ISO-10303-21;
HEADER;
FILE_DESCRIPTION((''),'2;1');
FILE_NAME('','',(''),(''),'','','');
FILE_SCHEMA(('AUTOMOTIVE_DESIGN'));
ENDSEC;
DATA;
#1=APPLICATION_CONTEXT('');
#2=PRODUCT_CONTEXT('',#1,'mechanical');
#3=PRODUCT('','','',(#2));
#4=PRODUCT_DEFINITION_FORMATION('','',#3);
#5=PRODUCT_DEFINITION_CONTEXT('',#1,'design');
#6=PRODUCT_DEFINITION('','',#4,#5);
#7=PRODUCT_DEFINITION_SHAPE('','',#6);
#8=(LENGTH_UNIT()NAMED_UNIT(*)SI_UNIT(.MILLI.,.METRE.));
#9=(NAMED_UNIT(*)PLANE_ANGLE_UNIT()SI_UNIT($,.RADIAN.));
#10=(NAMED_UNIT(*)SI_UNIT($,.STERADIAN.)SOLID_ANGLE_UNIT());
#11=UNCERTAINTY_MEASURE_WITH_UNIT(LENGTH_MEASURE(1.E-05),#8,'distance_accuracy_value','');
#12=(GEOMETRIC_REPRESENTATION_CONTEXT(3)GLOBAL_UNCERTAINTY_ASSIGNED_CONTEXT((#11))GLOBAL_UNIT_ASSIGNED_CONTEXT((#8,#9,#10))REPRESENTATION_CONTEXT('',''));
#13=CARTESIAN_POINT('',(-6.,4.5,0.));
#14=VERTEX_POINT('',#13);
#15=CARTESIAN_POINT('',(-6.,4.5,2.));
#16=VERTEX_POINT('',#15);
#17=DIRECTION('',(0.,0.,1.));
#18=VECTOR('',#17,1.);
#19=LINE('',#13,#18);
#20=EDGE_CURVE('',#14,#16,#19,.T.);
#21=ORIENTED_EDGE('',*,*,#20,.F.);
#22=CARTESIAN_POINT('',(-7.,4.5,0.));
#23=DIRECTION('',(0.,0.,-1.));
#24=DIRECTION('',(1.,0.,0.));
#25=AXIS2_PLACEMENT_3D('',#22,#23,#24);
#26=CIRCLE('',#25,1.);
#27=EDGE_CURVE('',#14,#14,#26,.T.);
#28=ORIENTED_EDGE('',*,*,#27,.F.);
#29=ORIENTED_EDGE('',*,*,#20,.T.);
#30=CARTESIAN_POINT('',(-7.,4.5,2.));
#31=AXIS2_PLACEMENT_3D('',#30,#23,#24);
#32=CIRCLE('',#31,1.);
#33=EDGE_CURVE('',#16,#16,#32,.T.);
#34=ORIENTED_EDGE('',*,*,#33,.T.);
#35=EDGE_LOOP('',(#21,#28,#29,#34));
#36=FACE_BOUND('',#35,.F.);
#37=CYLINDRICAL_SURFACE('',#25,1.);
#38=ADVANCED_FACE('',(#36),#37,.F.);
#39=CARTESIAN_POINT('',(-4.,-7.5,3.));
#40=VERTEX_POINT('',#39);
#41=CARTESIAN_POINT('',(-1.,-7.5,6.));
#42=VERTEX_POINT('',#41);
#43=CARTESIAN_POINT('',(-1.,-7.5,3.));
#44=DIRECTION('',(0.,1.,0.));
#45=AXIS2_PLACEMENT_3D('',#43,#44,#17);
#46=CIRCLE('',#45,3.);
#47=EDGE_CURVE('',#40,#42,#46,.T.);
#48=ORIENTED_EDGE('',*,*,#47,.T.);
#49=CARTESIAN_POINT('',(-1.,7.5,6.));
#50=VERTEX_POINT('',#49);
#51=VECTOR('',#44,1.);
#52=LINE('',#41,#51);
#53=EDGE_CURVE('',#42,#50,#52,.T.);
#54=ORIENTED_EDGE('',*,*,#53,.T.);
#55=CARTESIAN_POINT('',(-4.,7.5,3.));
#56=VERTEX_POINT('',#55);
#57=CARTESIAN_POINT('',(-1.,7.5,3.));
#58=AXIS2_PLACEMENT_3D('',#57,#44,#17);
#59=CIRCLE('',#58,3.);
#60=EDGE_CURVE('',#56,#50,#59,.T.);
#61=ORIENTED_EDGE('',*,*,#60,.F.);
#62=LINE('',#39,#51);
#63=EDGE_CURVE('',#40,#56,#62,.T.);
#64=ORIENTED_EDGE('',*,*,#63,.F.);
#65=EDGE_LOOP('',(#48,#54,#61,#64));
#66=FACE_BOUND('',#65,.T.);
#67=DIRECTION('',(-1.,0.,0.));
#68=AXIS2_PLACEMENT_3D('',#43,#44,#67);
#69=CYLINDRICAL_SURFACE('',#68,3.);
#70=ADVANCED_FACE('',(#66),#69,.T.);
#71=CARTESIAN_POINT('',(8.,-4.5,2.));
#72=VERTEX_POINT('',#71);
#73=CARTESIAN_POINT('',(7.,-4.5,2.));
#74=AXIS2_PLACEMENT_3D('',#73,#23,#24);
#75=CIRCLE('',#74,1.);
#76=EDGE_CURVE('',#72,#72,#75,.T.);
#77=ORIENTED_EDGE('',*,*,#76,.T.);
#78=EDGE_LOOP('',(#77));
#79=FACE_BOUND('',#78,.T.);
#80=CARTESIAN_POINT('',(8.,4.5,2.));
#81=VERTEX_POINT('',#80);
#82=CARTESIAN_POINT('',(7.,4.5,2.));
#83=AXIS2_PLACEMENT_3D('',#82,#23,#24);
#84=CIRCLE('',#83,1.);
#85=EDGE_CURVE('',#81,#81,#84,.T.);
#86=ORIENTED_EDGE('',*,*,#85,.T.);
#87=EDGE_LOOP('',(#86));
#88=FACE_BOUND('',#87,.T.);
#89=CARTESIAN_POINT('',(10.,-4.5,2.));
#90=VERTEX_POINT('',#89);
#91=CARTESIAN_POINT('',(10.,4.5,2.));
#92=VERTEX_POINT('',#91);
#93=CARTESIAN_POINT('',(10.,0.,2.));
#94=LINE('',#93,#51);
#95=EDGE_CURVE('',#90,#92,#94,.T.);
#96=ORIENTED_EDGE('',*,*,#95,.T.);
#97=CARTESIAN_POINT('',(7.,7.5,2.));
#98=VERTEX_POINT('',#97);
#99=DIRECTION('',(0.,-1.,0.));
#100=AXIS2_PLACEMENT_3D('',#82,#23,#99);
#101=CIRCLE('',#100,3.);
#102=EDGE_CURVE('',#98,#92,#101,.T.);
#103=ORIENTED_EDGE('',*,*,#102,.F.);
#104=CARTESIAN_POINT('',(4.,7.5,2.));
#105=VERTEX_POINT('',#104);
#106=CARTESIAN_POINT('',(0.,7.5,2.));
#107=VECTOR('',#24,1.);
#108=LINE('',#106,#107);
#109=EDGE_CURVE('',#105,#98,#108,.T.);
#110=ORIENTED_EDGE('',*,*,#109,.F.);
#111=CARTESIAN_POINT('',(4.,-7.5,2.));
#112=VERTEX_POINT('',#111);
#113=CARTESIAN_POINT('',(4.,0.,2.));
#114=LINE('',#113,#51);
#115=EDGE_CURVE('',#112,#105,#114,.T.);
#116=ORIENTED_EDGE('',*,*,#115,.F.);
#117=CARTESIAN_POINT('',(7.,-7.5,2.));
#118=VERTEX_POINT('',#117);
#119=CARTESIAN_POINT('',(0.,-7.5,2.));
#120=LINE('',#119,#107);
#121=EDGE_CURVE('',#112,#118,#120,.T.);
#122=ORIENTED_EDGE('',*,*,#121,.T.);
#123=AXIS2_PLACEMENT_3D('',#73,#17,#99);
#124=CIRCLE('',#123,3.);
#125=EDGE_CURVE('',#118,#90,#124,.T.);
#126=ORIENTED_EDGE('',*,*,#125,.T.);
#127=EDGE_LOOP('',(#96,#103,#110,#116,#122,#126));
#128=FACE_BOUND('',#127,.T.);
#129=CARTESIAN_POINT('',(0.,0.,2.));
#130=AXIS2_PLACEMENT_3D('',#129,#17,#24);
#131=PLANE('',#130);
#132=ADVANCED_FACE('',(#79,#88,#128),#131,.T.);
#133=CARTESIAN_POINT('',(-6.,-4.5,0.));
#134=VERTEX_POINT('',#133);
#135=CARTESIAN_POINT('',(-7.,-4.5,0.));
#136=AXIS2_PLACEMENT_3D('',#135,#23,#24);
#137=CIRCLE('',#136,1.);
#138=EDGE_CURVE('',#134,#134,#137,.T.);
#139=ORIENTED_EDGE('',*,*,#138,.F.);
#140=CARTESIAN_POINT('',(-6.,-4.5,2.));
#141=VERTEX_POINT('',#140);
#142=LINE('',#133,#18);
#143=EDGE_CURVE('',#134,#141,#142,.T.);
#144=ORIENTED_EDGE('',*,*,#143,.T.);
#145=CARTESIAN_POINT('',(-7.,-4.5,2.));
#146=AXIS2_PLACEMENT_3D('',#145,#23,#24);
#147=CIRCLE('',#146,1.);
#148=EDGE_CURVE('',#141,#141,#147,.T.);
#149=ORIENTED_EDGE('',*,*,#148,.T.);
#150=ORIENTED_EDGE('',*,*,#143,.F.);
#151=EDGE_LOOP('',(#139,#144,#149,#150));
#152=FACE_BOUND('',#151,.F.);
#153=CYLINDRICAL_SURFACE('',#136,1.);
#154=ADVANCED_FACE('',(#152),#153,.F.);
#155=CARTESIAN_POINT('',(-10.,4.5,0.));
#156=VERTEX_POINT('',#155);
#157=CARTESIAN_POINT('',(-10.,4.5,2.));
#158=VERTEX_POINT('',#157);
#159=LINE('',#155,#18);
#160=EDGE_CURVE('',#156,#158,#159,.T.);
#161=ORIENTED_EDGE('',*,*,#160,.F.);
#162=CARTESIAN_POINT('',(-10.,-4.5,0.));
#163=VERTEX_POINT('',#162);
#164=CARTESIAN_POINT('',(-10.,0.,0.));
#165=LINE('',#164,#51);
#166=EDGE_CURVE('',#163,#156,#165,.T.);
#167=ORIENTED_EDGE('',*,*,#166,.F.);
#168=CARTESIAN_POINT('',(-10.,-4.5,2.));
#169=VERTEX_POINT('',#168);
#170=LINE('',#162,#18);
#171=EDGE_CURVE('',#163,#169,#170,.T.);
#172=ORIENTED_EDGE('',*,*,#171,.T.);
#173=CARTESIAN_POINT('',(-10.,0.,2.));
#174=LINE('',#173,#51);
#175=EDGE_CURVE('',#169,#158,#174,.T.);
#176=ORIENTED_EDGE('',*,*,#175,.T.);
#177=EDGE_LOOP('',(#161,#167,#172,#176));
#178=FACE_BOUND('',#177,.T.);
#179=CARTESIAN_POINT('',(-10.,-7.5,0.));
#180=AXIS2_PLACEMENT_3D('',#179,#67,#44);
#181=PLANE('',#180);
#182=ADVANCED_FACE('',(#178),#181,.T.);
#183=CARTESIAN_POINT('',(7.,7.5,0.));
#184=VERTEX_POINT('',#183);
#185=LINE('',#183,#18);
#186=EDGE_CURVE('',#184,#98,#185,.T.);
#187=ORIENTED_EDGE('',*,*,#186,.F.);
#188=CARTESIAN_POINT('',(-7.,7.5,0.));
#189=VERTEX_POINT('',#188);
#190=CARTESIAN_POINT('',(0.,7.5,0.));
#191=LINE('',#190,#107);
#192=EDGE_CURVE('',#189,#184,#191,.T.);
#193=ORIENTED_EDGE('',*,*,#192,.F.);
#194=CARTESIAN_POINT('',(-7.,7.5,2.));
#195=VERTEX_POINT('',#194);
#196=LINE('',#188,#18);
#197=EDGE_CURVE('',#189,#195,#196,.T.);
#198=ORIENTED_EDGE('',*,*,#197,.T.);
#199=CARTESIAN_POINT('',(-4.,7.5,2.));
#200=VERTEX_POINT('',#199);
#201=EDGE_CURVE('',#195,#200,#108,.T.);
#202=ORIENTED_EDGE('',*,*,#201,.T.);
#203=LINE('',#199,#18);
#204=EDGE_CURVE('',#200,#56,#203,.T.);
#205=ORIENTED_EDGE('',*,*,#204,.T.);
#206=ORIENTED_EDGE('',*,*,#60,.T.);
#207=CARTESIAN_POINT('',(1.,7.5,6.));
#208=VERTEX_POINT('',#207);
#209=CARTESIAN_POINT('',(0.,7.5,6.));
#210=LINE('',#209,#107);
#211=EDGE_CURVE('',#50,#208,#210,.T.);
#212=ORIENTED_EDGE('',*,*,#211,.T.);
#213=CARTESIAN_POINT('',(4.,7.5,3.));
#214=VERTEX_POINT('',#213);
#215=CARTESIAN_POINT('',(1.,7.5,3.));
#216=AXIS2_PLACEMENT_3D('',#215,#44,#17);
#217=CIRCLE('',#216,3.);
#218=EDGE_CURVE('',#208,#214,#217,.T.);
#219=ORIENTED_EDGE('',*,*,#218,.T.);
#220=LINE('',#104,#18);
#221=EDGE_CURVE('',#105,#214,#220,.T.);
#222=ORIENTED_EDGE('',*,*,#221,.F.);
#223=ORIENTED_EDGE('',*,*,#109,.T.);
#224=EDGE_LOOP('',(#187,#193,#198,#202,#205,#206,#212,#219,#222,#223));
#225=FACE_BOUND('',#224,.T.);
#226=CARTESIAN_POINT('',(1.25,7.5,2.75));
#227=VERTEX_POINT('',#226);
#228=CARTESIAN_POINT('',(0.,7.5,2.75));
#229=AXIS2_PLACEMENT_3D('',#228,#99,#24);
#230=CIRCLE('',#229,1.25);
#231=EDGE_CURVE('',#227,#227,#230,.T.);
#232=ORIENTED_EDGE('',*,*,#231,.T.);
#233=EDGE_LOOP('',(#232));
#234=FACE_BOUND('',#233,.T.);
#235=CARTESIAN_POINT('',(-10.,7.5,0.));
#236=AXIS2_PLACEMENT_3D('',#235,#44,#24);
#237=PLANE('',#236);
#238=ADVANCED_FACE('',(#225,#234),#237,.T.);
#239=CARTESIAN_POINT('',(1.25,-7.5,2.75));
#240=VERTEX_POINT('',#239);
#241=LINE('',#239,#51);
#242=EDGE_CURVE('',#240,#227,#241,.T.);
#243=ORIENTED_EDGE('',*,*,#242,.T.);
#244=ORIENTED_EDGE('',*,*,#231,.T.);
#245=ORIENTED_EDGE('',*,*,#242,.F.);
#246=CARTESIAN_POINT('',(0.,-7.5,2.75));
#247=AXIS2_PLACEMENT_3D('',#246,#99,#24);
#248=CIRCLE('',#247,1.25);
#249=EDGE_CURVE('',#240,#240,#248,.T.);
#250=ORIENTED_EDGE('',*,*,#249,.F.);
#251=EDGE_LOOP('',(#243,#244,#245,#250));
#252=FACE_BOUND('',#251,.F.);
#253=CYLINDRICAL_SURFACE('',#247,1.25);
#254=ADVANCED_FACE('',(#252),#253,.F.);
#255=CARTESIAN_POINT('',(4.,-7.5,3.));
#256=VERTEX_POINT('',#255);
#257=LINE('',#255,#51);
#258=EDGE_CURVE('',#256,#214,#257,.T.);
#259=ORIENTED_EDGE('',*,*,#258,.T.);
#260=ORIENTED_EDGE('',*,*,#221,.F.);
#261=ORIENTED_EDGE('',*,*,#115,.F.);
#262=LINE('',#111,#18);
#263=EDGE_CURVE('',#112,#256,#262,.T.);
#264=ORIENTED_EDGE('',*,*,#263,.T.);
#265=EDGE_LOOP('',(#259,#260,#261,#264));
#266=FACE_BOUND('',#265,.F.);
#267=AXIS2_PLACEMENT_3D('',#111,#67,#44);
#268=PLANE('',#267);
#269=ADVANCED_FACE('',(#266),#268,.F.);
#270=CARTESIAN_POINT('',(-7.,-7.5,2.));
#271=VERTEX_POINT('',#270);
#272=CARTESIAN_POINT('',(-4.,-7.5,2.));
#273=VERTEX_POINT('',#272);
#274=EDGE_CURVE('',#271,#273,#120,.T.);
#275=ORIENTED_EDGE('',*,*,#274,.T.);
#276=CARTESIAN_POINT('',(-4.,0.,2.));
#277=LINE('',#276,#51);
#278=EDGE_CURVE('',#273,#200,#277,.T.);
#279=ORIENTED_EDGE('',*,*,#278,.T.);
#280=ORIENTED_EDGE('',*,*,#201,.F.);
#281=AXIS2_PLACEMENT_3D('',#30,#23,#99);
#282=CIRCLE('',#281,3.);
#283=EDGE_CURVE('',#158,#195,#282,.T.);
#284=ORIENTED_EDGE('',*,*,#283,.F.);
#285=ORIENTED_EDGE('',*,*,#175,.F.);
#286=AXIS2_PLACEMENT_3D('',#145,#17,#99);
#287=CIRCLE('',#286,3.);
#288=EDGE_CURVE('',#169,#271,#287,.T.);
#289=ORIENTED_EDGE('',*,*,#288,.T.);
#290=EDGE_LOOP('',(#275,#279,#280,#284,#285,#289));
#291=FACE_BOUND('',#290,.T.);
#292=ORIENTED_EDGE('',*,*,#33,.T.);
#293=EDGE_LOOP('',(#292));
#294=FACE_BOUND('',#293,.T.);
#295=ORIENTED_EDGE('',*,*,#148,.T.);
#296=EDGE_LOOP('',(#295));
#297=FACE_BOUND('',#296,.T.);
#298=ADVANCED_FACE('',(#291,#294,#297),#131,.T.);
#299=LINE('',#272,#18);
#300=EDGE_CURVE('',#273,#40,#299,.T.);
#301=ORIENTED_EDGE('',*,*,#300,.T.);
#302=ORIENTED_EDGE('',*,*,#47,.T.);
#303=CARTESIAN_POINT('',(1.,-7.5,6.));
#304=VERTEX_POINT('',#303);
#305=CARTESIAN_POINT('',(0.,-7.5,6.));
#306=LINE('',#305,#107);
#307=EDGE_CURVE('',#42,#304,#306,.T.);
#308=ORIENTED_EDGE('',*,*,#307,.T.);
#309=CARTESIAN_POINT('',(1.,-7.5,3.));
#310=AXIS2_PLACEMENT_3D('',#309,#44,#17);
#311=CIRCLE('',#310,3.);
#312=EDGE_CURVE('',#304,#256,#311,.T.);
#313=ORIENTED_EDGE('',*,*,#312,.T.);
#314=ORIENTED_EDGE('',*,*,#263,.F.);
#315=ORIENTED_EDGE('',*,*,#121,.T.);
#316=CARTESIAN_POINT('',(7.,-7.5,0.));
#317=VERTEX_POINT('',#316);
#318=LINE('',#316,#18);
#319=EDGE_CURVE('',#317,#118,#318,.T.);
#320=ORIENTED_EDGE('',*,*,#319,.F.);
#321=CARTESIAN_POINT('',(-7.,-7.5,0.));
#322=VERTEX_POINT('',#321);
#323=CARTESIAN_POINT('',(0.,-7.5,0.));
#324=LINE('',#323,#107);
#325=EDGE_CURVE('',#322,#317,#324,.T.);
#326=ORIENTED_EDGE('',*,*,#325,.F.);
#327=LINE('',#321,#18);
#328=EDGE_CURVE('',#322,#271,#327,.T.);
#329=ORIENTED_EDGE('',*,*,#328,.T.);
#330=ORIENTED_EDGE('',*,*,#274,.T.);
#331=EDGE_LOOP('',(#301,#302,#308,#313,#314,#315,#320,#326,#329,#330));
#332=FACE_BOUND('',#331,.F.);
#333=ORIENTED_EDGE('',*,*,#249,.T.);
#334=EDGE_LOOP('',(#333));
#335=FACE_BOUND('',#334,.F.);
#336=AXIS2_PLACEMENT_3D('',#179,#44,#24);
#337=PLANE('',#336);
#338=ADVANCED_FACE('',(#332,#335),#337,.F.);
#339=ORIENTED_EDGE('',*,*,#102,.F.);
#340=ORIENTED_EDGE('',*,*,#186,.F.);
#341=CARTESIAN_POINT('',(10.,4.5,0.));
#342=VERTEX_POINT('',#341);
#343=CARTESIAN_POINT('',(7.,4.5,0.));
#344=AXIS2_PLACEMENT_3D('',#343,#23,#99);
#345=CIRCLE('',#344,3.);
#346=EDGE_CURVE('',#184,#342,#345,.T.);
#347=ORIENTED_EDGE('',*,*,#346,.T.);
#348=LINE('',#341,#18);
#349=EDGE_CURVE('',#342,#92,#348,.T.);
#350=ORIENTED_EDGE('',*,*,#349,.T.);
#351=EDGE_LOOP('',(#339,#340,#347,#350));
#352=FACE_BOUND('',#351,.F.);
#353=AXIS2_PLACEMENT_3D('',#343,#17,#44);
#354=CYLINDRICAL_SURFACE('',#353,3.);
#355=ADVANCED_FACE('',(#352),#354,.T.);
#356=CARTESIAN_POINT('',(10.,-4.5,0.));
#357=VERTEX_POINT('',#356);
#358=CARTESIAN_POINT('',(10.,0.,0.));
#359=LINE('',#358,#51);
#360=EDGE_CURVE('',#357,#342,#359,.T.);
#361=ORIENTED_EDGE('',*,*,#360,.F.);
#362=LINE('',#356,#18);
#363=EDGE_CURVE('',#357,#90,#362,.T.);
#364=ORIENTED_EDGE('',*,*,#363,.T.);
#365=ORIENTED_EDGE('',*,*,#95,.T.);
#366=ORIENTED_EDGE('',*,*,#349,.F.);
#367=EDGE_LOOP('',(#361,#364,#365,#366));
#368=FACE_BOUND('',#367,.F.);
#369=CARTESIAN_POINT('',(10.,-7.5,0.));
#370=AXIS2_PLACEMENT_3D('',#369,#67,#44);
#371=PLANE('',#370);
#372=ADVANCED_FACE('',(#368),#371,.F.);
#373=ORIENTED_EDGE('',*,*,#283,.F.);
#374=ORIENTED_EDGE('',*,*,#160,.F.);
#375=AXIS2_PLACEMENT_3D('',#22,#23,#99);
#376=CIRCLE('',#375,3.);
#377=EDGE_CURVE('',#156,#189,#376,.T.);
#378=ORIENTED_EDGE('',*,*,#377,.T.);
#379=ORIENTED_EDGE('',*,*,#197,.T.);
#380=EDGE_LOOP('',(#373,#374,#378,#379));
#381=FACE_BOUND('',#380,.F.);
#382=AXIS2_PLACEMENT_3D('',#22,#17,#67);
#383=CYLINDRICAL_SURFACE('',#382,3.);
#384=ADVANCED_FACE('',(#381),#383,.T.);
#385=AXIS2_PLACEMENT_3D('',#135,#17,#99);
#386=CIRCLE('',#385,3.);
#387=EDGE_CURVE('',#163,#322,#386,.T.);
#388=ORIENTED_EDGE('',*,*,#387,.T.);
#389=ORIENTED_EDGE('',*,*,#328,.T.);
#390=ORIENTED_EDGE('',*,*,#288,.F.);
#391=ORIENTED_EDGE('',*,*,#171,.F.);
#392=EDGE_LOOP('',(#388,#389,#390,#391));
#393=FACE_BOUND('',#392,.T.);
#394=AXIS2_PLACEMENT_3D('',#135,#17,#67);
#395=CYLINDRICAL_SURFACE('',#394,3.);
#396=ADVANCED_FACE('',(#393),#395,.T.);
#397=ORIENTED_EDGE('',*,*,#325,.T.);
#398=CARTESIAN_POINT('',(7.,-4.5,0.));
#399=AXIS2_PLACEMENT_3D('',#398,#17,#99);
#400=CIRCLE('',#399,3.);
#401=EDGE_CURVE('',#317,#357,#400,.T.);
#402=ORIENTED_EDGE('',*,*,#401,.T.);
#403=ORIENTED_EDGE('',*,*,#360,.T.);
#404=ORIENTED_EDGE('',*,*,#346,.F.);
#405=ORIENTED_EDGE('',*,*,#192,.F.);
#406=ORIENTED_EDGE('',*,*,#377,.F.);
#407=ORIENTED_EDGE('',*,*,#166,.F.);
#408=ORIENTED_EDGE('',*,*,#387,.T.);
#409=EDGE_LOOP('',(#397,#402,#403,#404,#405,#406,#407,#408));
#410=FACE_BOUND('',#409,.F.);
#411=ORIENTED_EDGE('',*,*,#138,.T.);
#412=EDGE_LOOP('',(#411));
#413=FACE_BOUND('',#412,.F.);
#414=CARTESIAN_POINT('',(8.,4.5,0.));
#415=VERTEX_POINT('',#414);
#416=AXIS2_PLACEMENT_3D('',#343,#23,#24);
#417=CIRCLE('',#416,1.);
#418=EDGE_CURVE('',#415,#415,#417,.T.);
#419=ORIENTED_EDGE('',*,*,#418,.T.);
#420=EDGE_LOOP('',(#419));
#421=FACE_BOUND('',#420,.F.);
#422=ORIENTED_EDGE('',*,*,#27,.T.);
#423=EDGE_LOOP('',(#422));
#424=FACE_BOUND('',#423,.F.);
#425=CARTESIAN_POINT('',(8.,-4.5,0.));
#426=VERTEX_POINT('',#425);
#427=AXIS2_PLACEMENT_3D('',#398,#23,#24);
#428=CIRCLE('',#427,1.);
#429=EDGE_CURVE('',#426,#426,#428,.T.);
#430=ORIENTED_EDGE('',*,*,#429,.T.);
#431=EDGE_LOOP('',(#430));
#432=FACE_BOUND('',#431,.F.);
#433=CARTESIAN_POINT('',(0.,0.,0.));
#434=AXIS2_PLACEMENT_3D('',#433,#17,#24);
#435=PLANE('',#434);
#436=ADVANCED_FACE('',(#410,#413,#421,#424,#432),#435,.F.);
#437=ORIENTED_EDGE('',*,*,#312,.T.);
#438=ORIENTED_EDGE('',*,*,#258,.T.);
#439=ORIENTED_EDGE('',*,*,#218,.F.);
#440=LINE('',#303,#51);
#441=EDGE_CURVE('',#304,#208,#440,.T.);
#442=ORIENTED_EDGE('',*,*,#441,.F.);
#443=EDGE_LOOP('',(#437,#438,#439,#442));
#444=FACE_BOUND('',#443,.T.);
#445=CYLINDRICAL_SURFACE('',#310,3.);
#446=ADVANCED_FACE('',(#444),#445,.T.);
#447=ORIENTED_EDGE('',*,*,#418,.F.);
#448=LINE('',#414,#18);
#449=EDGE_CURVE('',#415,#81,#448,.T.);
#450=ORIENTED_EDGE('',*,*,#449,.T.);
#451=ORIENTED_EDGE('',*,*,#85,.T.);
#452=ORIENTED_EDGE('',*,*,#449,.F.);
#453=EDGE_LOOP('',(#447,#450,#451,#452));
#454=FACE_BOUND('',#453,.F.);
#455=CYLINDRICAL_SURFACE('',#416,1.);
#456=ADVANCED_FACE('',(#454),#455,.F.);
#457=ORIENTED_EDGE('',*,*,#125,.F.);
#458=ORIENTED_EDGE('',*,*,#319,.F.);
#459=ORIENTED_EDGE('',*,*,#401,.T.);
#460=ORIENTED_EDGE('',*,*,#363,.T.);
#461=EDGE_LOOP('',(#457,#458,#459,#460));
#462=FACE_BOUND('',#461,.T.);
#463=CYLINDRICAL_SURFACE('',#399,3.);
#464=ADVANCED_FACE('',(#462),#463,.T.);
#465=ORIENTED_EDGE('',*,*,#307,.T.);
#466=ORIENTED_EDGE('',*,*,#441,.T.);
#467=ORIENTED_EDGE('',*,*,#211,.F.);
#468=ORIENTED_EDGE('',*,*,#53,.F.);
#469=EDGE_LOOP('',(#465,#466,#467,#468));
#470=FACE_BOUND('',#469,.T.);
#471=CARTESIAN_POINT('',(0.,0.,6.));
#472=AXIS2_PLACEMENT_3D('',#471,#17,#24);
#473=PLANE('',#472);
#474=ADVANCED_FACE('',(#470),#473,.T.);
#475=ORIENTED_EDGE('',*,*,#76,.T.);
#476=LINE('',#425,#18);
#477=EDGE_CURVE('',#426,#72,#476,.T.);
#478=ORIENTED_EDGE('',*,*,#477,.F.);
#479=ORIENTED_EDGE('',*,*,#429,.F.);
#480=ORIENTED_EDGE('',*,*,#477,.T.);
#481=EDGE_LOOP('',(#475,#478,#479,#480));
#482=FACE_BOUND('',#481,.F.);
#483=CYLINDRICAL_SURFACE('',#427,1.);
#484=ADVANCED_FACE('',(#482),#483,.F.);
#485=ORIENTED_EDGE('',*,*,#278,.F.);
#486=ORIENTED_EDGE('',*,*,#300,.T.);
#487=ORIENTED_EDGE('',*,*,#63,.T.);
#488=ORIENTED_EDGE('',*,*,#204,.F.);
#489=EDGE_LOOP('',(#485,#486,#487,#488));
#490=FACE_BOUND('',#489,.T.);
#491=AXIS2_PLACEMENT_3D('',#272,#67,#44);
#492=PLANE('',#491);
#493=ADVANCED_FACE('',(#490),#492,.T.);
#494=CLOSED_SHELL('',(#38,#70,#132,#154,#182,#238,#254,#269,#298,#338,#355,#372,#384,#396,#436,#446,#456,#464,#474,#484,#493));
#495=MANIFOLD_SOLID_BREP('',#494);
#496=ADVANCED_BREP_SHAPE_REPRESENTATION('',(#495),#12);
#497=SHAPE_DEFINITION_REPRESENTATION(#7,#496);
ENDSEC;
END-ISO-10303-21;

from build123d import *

# Parameters (mm, degrees)
F0_W     = 20
F0_H     = 15
F1_DEPTH = 2
F2_W     = 8
F2_H     = 15
F3_DEPTH = 4
F4_R     = 1.25
F5_DEPTH = 15.001
F6_R     = 1
F7_DEPTH = 25
F8_R     = 3


with BuildPart() as f1:
    # F0 (on Top) → F1 (new body)
    with BuildSketch(Plane.XY):
        Rectangle(F0_W, F0_H)
    extrude(amount=F1_DEPTH)

    # F2 (on face) → F3 (join)
    with BuildSketch(Plane.XY.offset(2)):
        Rectangle(F2_W, F2_H)
    extrude(amount=F3_DEPTH)

    # F4 (on face) → F5 (cut, through all)
    with BuildSketch(Plane.XZ.offset(7.5)):
        with Locations((0, 2.75)):
            Circle(F4_R)
    extrude(amount=-F5_DEPTH, mode=Mode.SUBTRACT)

    # F6 (on face) → F7 (cut)
    with BuildSketch(Plane(origin=(0, 0, 0), x_dir=(1, 0, 0), z_dir=(0, 0, -1))):
        with Locations((-7, 4.5)):
            Circle(F6_R)
        with Locations((7, 4.5)):
            Circle(F6_R)
        with Locations((7, -4.5)):
            Circle(F6_R)
        with Locations((-7, -4.5)):
            Circle(F6_R)
    extrude(amount=-F7_DEPTH, mode=Mode.SUBTRACT)

    # F8
    f8_edges = [f1.edges().sort_by_distance(p)[0] for p in [
        (4, 0, 6),
        (-4, 0, 6),
        (10, -7.5, 1),
        (10, 7.5, 1),
        (-10, -7.5, 1),
        (-10, 7.5, 1),
    ]]
    fillet(f8_edges, radius=F8_R)


solid = f1.part
